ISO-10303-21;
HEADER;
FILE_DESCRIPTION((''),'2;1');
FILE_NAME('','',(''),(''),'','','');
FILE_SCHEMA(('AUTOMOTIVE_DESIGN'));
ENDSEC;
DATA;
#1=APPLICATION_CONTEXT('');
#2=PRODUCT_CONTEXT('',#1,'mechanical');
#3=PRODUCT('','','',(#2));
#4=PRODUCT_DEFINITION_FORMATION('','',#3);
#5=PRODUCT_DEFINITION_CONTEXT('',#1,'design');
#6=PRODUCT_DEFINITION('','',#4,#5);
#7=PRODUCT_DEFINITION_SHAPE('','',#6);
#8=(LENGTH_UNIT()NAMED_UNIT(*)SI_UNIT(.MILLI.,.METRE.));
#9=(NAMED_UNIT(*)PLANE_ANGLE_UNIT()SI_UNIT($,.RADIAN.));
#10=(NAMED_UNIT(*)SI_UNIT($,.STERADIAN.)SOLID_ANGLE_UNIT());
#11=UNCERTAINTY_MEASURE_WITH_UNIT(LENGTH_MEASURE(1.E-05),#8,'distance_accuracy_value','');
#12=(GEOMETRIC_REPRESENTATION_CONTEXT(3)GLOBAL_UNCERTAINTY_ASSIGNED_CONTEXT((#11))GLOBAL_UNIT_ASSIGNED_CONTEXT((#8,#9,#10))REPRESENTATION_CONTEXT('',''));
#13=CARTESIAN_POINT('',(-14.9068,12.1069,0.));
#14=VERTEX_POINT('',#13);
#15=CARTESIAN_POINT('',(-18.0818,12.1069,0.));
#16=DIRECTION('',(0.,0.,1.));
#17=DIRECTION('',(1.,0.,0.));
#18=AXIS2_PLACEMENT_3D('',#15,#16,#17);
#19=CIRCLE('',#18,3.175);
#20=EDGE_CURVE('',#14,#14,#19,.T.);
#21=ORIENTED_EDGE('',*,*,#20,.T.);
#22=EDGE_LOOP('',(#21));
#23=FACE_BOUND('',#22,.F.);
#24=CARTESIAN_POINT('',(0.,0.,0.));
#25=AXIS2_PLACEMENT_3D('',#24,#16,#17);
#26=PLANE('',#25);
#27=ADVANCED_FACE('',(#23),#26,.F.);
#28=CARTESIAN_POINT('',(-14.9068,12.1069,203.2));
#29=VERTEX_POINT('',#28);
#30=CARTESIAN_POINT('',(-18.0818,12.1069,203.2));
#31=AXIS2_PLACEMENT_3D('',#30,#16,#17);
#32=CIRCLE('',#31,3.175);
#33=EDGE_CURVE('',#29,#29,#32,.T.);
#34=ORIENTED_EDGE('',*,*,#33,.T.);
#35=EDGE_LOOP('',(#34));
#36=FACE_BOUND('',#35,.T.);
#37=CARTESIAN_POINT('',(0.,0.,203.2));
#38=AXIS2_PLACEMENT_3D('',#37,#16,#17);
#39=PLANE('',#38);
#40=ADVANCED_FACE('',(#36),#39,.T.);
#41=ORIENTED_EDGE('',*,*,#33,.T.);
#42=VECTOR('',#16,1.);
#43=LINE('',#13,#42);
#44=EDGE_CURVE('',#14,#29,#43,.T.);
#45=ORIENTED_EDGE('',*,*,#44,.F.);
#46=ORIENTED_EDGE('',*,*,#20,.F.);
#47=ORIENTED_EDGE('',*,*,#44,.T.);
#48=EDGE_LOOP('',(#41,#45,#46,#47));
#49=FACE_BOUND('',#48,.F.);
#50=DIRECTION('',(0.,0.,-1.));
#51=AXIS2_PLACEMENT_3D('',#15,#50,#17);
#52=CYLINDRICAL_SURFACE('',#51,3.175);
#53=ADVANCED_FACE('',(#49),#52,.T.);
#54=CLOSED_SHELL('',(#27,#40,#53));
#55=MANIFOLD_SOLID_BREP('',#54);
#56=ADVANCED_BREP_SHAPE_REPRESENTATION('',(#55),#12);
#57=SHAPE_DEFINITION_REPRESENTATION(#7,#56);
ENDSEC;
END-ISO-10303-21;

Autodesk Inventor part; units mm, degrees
ref_plane "XZ Plane" through (0, 0, 0) normal (0, 1, 0) x (-1, 0, 0)
ref_plane "XY Plane" through (0, 0, 0) normal (0, 0, 1) x (1, 0, 0)
sketch "Sketch1" plane through (0, 0, 0) normal (0, 0, 1) x (1, 0, 0)
  circle A0 centre (-18.0818, 12.1069) radius 3.175
  dimension "d0" = 6.35
extrude "Extrusion1" add sketch "Sketch1" along normal blind 203.2
ref_plane "Work Plane1" through (-18.0818, 12.1069, 0) normal (0, 1, 0) x (0, 0, 1)
properties part number "FE-00004-08C"
